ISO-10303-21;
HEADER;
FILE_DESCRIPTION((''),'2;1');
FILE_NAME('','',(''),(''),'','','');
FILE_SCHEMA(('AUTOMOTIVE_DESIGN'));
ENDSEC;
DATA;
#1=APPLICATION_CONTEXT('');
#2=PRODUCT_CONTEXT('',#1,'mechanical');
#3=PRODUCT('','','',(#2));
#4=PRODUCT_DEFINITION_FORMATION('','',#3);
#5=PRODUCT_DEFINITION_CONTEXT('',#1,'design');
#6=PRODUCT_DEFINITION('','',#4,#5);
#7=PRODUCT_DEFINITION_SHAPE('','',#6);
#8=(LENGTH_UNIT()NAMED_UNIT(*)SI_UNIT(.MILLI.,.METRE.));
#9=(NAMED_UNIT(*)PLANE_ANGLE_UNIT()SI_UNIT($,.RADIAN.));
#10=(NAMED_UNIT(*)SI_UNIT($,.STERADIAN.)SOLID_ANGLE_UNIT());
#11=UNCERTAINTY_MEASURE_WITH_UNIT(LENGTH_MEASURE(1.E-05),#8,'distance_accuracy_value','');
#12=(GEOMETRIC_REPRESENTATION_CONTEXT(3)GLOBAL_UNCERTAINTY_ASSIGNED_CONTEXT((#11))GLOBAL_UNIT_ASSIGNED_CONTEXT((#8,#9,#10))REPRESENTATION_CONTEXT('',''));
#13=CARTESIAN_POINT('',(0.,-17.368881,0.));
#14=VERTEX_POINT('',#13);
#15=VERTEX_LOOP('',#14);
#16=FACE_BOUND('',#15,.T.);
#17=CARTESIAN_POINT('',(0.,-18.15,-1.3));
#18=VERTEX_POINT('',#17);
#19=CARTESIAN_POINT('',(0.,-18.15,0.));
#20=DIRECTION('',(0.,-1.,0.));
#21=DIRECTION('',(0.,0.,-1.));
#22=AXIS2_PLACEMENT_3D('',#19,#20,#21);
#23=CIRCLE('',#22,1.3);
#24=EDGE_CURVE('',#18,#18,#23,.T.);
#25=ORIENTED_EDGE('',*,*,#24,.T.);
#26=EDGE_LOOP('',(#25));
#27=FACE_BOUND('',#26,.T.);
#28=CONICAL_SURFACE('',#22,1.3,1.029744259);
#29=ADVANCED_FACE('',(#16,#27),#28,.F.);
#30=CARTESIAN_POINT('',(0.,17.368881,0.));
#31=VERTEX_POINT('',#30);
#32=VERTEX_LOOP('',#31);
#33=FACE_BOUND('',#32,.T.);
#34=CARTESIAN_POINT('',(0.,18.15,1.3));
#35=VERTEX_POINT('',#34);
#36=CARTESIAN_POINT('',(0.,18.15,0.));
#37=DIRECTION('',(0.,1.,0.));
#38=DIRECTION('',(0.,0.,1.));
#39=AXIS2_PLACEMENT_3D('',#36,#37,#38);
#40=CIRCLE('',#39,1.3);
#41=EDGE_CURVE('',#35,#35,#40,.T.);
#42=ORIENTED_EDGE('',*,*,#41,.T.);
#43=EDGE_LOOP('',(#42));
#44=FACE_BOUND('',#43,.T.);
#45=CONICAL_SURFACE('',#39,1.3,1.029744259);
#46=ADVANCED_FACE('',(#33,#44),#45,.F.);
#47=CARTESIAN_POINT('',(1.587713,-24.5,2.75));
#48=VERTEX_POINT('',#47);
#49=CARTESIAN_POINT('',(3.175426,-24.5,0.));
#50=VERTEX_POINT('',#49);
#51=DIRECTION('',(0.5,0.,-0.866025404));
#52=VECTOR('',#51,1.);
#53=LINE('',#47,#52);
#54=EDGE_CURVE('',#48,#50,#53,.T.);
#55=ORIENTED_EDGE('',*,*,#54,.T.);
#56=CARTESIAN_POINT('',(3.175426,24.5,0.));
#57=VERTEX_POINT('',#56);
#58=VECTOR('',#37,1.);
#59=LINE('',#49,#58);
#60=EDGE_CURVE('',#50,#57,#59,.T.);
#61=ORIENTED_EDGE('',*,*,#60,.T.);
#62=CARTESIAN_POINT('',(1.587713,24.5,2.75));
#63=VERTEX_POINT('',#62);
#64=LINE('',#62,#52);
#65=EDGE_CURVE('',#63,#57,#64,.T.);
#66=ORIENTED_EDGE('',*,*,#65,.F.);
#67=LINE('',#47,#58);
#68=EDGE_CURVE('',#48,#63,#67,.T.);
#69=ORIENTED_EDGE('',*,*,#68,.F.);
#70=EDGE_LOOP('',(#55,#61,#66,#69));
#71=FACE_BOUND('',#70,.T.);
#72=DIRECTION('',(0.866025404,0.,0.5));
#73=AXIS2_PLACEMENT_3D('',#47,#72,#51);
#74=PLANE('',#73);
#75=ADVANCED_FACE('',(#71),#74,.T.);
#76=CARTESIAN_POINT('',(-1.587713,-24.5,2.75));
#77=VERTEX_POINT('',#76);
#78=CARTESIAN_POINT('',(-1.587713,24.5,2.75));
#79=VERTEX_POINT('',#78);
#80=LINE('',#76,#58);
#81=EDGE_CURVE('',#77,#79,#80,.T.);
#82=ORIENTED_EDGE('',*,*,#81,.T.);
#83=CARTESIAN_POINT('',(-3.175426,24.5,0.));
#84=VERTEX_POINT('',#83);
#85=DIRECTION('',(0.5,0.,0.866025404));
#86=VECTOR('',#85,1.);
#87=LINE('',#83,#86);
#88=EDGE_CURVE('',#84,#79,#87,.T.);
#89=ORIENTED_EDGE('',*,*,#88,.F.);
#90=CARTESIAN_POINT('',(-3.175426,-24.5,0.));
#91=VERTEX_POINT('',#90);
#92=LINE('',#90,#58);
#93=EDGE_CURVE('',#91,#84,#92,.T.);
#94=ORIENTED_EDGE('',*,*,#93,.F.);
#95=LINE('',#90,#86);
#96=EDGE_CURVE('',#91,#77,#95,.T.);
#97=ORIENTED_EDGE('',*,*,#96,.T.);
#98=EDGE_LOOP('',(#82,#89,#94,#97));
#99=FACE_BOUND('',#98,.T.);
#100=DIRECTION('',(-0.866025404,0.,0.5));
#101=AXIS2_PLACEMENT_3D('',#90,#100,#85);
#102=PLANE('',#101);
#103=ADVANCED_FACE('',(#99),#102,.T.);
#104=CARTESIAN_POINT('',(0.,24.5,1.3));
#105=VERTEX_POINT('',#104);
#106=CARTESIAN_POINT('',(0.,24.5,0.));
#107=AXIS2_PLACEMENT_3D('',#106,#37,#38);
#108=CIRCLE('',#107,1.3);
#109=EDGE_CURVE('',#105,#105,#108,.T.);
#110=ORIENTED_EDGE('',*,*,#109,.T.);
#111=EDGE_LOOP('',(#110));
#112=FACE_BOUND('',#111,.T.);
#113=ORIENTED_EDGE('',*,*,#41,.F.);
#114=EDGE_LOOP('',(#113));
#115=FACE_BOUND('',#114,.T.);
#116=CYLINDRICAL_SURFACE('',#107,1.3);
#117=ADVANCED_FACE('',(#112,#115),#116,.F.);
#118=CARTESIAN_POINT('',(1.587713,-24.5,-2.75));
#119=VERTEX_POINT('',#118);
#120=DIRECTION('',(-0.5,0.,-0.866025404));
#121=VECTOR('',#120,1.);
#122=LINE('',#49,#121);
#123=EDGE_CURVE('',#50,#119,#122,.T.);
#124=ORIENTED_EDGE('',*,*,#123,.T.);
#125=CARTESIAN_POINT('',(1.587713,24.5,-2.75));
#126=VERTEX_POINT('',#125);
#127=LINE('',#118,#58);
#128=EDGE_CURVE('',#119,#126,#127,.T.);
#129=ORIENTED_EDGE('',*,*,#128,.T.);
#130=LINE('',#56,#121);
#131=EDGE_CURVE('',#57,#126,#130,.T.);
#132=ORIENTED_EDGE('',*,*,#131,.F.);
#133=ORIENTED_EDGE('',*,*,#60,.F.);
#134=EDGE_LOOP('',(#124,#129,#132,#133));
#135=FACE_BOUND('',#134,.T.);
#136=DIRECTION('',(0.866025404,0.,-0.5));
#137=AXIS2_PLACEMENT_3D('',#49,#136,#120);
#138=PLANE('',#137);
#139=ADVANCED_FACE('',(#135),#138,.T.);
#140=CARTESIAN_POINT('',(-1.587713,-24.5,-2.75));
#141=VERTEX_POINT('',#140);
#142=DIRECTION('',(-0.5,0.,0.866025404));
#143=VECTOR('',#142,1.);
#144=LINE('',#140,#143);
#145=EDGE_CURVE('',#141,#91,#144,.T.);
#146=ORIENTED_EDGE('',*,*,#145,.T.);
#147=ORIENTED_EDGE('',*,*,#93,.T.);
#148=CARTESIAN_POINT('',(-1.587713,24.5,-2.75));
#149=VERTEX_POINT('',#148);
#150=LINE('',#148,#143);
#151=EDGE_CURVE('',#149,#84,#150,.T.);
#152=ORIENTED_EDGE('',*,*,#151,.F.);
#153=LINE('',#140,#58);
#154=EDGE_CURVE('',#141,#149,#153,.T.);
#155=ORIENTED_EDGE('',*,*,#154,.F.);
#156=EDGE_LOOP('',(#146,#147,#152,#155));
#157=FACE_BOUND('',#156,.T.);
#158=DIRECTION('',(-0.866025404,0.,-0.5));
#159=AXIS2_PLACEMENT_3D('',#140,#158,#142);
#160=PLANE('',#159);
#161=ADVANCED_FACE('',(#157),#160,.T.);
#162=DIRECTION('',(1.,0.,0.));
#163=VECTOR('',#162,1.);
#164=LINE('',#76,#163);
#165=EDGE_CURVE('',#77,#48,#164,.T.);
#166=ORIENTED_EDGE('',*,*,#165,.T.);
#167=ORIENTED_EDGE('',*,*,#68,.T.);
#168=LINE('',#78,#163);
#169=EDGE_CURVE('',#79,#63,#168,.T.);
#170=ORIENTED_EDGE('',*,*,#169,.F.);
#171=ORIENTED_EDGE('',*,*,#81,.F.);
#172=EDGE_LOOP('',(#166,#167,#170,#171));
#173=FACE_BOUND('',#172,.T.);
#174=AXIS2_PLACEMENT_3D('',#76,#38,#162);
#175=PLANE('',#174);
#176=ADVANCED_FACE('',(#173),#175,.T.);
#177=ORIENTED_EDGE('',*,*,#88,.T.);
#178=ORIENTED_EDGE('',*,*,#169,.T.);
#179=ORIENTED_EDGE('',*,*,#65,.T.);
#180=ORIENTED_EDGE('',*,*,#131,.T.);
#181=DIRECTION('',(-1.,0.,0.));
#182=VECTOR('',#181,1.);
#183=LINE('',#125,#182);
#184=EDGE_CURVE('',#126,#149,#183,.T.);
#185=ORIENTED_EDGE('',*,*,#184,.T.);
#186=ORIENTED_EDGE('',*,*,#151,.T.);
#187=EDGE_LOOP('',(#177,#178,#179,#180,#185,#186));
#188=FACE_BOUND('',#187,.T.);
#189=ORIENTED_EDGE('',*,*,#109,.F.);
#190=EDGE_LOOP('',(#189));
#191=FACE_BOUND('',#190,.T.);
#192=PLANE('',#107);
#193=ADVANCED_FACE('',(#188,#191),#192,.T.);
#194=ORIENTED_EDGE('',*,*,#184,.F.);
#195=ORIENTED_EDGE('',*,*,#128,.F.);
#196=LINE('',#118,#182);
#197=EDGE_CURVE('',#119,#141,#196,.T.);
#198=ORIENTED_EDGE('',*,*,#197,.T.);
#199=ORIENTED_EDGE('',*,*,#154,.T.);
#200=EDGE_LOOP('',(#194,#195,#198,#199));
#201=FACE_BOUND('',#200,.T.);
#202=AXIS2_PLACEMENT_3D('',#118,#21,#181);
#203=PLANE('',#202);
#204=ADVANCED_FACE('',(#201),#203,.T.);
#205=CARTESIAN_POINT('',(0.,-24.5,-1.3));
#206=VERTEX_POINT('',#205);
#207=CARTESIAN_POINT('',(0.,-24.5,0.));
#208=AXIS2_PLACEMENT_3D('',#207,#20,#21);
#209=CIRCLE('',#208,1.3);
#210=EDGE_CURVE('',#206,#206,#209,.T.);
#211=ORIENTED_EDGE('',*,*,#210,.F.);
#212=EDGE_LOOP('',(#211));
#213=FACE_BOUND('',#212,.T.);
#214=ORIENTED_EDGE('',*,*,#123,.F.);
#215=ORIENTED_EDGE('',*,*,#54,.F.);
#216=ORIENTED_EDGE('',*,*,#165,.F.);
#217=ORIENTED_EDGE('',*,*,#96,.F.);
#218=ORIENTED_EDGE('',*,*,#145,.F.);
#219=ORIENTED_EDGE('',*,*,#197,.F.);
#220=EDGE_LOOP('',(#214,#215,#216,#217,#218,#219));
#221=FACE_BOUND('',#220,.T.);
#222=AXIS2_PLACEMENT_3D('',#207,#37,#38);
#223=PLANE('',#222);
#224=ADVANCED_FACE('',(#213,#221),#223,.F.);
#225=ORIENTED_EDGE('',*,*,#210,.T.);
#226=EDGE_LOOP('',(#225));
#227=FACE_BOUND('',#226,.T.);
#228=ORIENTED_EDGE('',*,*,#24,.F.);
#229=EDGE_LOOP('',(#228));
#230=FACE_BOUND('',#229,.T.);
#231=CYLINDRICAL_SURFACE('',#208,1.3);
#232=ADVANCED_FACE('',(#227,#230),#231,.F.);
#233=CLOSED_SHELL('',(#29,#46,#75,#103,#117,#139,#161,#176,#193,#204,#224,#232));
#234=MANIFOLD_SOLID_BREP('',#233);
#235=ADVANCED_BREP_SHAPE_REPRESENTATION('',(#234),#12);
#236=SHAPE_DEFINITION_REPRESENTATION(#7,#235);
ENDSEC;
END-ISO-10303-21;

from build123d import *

# Parameters (mm, degrees)
BOSS_EXTRU_1_DEPTH      = 24.5
BOSS_EXTRU_1_DEPTH_BACK = 24.5


with BuildPart() as part:
    # Esquisse1 → Boss.-Extru.1 (new, two sides: drawn at the far end of the back side and taken through both)
    with BuildSketch(Plane(origin=(0, 0, 0), x_dir=(1, 0, 0), z_dir=(0, 1, 0)).offset(-BOSS_EXTRU_1_DEPTH_BACK)):
        Polygon((3.175426481, 0), (1.58771324, 2.75), (-1.58771324, 2.75), (-3.175426481, 0), (-1.58771324, -2.75), (1.58771324, -2.75), align=None)
    extrude(amount=BOSS_EXTRU_1_DEPTH + BOSS_EXTRU_1_DEPTH_BACK)

    # Esquisse3 → Dégagement M31 (revolve, cut)
    with BuildSketch(Plane(origin=(0, 24.5, 0), x_dir=(0, 0, 1), z_dir=(1, 0, 0))):
        Polygon((0, 0), (0, 7.131118805), (1.3, 6.35), (1.3, 0), align=None)
    d_gagement_m31 = revolve(axis=Axis((0, 30.85, 0), (0, -1, 0)), mode=Mode.SUBTRACT)

    # Symétrie1: Dégagement M31 across plane
    add(d_gagement_m31.mirror(Plane.ZX), mode=Mode.SUBTRACT)


solid = part.part
